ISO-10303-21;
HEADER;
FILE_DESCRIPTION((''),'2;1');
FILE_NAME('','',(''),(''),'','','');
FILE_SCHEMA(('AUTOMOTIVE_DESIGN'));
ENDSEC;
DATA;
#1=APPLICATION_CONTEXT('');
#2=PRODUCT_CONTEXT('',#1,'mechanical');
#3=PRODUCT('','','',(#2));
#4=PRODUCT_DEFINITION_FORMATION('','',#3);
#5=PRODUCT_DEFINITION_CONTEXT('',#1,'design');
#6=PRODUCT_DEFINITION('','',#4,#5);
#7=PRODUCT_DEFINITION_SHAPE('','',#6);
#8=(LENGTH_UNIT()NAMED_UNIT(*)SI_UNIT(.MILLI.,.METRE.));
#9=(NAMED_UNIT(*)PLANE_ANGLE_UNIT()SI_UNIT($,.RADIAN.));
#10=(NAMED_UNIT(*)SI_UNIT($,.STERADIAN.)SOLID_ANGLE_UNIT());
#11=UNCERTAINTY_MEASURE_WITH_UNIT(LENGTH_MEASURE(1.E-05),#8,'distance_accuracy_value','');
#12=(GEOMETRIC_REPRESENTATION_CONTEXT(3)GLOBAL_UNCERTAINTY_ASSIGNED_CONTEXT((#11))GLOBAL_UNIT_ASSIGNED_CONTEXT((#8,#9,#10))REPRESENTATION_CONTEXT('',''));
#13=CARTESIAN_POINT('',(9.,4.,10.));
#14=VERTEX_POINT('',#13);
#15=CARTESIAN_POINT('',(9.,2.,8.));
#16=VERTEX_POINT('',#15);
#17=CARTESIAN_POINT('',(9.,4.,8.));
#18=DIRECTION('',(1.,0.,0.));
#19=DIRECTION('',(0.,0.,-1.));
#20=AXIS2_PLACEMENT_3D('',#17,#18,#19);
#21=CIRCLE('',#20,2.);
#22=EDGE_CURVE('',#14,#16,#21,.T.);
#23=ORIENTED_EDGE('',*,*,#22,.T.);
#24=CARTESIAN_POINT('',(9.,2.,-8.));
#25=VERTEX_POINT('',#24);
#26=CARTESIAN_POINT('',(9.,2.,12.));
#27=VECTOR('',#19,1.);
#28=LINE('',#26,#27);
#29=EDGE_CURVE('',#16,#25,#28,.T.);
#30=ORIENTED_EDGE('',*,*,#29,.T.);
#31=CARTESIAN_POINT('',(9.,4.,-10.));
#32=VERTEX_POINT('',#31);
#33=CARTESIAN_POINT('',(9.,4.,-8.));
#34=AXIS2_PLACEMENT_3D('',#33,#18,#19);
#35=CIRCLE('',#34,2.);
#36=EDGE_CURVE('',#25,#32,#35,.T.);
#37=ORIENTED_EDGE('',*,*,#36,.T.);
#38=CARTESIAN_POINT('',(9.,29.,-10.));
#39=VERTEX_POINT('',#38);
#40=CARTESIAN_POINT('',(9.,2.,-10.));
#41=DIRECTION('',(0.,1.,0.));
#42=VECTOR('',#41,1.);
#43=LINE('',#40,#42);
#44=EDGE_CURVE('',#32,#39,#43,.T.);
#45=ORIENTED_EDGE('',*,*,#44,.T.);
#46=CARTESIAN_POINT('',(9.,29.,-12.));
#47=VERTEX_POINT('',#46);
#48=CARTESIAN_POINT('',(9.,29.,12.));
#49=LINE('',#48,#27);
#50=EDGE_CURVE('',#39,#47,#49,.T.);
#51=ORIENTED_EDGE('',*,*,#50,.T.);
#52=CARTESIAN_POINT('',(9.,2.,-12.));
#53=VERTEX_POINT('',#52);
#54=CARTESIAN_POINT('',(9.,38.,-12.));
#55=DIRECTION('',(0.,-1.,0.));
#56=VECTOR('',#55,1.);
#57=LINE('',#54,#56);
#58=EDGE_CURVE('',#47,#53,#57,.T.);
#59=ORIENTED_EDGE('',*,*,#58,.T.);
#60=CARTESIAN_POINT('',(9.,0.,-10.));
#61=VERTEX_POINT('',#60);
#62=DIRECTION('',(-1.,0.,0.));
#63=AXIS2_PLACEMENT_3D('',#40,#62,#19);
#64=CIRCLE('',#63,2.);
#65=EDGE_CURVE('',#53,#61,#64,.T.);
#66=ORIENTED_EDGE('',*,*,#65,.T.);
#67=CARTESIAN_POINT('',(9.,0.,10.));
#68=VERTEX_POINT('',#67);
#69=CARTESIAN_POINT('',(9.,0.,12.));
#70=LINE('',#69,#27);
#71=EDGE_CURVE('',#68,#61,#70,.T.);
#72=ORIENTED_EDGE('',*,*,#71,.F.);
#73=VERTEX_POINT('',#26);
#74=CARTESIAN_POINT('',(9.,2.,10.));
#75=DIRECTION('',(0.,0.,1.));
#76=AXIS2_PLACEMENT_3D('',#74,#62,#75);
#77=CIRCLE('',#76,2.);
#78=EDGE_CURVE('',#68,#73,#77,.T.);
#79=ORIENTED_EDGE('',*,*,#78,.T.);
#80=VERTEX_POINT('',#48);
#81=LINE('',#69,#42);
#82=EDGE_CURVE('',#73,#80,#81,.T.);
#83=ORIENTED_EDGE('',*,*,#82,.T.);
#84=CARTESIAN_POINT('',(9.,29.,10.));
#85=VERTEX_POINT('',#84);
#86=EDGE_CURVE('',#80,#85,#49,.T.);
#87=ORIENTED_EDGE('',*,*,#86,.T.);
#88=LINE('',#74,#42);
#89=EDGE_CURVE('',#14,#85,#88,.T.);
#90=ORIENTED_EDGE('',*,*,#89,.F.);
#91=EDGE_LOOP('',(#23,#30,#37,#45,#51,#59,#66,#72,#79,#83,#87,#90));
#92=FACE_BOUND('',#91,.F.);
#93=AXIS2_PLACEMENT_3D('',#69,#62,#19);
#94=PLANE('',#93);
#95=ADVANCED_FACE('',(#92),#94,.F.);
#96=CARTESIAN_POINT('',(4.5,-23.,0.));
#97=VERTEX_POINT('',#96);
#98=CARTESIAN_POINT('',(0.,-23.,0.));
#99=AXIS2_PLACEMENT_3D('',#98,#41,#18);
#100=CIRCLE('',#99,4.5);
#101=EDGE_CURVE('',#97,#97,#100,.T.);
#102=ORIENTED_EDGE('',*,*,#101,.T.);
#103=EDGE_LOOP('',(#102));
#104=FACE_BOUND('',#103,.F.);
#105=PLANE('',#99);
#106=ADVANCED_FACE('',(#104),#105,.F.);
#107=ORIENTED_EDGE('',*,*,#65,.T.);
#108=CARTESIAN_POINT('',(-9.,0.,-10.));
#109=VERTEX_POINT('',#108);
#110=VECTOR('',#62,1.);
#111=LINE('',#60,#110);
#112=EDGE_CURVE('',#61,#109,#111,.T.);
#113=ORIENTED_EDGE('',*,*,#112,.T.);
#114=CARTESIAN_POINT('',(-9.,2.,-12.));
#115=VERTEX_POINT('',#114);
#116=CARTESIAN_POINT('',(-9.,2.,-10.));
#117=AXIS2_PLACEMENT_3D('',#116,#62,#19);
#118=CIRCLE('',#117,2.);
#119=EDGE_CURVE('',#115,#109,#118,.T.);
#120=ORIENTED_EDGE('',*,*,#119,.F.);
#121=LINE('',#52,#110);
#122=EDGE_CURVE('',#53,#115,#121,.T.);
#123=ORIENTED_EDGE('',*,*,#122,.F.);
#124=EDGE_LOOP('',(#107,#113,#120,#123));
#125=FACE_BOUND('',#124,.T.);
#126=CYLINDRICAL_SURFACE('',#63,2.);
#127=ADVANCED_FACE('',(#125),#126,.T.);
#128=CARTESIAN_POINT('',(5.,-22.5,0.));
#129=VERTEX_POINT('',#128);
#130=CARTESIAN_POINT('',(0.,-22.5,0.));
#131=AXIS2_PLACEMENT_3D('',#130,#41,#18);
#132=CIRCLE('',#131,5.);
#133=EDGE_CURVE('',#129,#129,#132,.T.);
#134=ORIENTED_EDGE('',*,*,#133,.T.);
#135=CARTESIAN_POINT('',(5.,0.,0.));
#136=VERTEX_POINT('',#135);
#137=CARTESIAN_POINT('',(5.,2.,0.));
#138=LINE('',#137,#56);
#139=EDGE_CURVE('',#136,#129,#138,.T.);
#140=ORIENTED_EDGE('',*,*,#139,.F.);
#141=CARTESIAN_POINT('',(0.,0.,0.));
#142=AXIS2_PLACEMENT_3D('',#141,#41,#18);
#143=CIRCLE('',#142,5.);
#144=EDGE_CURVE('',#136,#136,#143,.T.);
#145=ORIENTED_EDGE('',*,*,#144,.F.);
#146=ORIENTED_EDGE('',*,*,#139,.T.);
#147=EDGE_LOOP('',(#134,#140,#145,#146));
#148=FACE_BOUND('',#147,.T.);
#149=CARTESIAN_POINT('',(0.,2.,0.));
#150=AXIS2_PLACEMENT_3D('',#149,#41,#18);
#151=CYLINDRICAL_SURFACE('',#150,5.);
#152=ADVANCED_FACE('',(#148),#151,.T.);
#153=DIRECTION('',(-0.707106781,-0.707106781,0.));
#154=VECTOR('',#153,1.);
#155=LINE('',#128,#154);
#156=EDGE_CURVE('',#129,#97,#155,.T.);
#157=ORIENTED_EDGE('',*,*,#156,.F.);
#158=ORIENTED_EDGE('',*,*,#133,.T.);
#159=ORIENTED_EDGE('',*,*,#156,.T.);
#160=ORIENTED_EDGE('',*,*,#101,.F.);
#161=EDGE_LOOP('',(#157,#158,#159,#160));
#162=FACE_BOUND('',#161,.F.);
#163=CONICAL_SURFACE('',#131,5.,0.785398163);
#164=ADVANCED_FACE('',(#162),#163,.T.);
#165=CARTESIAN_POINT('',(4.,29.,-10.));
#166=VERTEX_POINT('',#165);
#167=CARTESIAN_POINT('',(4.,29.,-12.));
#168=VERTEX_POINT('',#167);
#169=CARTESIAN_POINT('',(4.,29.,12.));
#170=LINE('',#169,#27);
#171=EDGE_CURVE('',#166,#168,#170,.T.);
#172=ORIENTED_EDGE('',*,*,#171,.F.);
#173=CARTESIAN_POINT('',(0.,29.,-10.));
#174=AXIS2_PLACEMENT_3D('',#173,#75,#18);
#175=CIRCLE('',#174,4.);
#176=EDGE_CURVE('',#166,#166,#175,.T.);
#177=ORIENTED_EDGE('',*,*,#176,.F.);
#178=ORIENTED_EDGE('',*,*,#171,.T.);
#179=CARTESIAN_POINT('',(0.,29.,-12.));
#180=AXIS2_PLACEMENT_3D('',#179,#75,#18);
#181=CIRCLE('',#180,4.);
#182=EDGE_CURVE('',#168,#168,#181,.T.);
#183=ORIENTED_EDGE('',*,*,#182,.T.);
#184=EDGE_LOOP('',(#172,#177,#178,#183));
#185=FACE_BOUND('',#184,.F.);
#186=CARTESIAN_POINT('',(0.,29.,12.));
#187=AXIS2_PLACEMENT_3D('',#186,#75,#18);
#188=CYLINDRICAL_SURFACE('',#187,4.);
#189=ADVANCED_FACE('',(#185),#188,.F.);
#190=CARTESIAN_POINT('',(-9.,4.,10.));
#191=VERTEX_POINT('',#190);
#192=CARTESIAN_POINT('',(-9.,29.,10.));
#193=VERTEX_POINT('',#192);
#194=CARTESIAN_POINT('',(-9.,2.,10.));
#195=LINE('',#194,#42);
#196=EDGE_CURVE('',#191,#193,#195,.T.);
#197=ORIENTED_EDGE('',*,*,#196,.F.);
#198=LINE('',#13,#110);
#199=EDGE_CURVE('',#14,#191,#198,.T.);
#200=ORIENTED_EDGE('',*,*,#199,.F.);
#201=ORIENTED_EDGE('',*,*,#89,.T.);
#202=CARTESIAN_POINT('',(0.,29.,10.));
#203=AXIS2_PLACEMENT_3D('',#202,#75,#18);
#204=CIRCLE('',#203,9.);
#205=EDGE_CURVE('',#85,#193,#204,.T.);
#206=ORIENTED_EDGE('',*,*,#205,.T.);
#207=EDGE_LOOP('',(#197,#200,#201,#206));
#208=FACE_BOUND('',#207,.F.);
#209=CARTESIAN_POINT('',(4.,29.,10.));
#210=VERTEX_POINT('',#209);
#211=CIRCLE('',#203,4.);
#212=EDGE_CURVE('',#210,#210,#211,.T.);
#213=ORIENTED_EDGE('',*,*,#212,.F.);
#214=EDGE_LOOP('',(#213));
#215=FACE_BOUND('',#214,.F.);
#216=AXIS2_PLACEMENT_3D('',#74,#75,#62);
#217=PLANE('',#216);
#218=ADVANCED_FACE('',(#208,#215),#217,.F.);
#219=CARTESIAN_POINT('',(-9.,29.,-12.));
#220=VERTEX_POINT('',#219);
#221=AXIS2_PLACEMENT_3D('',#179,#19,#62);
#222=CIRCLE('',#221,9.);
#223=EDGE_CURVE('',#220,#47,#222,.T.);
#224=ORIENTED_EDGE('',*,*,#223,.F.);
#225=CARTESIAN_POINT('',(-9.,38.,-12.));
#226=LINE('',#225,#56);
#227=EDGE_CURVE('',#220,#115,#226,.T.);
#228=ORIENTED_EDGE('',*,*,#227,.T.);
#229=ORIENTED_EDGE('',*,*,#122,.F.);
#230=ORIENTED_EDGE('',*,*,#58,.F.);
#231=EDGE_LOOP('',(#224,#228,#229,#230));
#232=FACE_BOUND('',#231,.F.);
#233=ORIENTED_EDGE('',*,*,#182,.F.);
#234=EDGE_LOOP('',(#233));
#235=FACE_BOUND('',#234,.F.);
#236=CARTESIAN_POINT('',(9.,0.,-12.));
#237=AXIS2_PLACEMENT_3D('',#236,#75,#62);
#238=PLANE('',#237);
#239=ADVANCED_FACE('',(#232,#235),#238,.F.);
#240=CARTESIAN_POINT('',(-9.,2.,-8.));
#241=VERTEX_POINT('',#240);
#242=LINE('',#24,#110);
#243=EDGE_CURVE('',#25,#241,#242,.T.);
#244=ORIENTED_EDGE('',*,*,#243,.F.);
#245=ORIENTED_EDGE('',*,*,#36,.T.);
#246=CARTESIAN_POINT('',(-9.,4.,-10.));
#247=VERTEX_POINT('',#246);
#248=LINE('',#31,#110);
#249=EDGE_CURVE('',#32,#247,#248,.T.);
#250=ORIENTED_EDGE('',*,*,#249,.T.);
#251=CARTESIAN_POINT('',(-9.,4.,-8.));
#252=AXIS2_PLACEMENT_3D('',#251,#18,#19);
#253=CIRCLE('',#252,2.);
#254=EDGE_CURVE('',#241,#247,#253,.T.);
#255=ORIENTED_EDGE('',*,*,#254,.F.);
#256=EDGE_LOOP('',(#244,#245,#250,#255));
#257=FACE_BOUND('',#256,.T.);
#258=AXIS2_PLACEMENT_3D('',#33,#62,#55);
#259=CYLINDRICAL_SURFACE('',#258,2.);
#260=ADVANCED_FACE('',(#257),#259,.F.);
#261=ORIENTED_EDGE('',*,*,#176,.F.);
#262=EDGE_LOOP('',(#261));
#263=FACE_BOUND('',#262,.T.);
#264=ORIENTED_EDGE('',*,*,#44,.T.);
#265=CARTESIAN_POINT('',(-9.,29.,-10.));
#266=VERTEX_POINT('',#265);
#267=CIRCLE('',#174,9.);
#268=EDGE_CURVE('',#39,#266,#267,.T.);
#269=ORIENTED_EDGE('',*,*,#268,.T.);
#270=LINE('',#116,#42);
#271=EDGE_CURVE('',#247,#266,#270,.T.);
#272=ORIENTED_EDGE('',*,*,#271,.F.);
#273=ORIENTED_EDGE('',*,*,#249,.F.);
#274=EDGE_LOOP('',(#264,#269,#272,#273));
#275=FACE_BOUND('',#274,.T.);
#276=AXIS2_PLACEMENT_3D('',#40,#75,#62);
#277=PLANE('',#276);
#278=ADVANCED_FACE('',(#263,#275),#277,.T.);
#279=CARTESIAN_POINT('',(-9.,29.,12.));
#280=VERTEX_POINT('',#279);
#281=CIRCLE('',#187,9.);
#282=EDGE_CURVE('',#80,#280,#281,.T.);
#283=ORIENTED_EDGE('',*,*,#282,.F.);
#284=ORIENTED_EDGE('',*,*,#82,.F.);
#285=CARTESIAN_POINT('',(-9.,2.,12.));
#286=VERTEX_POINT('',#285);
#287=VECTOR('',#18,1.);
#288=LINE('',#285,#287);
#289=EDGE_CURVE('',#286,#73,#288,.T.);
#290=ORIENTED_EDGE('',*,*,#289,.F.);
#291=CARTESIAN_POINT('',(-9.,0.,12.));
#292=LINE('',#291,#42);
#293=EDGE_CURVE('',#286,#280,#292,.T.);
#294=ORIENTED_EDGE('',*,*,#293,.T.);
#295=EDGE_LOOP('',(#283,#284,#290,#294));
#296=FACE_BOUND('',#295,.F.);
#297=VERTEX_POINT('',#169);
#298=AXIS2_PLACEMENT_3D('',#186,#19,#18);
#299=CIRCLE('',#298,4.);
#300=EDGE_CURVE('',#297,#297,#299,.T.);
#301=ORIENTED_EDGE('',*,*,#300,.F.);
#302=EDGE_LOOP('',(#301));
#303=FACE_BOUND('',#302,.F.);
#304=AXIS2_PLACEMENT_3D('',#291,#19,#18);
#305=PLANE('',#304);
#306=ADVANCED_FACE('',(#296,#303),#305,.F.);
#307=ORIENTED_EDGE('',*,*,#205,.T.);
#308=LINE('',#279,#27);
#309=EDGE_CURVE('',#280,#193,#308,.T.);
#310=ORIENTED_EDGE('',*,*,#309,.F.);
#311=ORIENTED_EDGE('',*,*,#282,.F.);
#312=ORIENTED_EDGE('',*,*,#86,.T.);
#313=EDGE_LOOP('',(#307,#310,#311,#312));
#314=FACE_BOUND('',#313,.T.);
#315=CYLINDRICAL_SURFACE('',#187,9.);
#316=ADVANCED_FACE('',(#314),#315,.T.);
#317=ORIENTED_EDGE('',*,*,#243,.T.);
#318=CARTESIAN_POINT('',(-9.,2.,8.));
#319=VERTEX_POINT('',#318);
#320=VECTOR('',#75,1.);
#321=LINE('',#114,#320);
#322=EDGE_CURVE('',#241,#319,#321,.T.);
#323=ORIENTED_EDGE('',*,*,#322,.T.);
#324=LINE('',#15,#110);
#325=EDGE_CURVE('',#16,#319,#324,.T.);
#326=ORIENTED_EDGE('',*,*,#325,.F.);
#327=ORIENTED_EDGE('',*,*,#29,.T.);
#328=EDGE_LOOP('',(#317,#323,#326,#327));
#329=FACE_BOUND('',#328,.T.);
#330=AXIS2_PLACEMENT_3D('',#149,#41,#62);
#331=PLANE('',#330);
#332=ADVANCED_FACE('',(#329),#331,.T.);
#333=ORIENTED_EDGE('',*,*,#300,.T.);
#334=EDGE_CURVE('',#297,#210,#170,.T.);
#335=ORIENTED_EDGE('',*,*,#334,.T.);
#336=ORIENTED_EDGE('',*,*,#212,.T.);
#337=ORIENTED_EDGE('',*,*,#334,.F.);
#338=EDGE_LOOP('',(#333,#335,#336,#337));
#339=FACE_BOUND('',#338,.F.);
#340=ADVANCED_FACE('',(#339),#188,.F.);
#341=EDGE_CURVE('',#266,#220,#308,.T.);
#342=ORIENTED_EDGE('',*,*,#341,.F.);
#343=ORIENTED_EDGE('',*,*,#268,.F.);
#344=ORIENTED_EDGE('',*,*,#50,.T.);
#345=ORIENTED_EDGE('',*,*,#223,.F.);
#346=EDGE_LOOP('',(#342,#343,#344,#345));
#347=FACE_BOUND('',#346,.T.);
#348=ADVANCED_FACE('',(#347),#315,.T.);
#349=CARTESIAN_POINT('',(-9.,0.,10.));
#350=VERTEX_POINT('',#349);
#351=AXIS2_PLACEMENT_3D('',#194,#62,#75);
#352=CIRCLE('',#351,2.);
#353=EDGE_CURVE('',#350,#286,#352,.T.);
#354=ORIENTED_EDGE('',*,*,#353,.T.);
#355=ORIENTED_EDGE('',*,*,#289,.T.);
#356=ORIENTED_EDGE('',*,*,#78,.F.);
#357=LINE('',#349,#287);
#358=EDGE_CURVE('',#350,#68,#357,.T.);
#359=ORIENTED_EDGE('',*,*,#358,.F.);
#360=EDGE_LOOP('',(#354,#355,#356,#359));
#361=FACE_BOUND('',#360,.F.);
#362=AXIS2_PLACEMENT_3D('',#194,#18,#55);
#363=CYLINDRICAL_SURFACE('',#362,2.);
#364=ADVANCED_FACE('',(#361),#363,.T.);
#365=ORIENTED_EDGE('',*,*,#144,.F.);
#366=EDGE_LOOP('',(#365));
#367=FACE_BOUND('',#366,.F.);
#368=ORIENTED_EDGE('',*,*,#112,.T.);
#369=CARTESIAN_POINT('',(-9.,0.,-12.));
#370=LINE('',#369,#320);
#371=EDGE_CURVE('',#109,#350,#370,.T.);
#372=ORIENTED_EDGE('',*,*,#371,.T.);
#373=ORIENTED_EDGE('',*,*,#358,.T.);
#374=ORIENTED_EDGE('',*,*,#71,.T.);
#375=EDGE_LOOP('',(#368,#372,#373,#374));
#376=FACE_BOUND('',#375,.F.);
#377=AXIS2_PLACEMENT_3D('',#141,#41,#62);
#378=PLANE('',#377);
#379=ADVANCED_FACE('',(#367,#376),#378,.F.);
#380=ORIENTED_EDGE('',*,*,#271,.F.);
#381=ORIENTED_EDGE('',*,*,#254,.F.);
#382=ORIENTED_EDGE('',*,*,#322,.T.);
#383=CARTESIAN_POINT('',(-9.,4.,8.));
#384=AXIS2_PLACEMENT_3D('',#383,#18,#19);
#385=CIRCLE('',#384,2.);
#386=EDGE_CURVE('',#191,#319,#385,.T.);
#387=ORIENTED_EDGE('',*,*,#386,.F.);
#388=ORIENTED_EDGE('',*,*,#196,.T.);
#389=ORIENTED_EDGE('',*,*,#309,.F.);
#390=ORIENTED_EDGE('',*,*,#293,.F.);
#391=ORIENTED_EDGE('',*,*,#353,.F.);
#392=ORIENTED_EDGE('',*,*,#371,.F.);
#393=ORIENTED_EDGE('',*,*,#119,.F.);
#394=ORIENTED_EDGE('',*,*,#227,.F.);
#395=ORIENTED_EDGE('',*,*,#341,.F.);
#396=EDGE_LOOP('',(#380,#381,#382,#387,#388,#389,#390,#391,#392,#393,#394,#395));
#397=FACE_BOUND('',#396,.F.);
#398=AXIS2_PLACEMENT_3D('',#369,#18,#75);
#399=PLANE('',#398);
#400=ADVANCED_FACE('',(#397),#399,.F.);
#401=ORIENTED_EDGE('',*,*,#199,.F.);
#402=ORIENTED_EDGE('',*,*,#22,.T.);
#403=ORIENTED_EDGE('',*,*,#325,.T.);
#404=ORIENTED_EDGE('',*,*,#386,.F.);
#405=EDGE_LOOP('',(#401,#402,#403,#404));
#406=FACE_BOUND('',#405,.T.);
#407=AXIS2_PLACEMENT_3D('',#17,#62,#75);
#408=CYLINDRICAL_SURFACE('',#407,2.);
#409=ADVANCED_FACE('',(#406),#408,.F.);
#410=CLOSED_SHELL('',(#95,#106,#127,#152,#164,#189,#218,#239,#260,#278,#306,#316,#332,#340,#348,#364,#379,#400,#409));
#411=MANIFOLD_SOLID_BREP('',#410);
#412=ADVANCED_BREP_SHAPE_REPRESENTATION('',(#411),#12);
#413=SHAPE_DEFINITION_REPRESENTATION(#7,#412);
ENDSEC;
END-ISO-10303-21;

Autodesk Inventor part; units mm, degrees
ref_plane "YZ Plane" through (0, 0, 0) normal (1, 0, 0) x (0, 1, 0)
ref_plane "XZ Plane" through (0, 0, 0) normal (0, 1, 0) x (-1, 0, 0)
ref_plane "XY Plane" through (0, 0, 0) normal (0, 0, 1) x (1, 0, 0)
sketch "Sketch1" plane through (0, 0, 0) normal (0, 1, 0) x (-1, 0, 0)
  line L0 (9, 12) -> (-9, 12)
  line L1 (-9, 12) -> (-9, -12)
  line L2 (-9, -12) -> (9, -12)
  line L3 (9, -12) -> (9, 12)
  line L4 (9, 12) -> (-9, -12) construction
  line L5 (-9, 12) -> (9, -12) construction
  point P0 (0, 0)
  dimension "d0" = 24
  dimension "d1" = 18
extrude "Extrusion1" add sketch "Sketch1" along normal blind 2
sketch "Sketch2" plane through (0, 2, 0) normal (0, 1, 0) x (1, 0, 0)
  line L0 (-9, 12) -> (-9, -12) projected
  line L1 (9, -12) -> (9, 12) projected
  line L2 (-9, -12) -> (9, -12)
  line L3 (9, -12) -> (9, -10)
  line L4 (9, -10) -> (-9, -10)
  line L5 (-9, -10) -> (-9, -12)
  line L6 (9, 12) -> (-9, 12) projected
  line L7 (-9, 12) -> (9, 12)
  line L8 (9, 12) -> (9, 10)
  line L9 (9, 10) -> (-9, 10)
  line L10 (-9, 10) -> (-9, 12)
  point P0 (0, 0)
  dimension "d4" = 2
  dimension "d5" = 2
extrude "Extrusion2" add sketch "Sketch2" along normal blind 36 contours L6 L1 L9 L0 | L4 L1 L2 L0
sketch "Sketch5" plane through (-9, 0, 12) normal (0, 0, 1) x (1, 0, 0)
  line L0 (0, 29) -> (18, 29)
  line L1 (0, 38) -> (18, 38) projected
  arc A0 (18, 29) -> (0, 29) centre (9, 29) ccw
  circle A1 centre (9, 29) radius 4
  line L2 (0, 0) -> (0, 38) projected
  line L3 (0, 29) -> (0, 38)
  line L4 (18, 38) -> (0, 38) projected
  line L5 (0, 38) -> (18, 38)
  line L6 (18, 38) -> (18, 29)
  point P0 (9, 0)
  dimension "d16" = 9
  dimension "d17" = 8
extrude "Extrusion4" cut sketch "Sketch5" against normal blind 40 contours A1 L0 | L0 A1 | A0 L1 L6 | A0 L2 L1
sketch "Sketch6" plane through (0, 0, 0) normal (0, -1, 0) x (1, 0, 0)
  circle A0 centre (0, 0) radius 4
  dimension "d20" = 8
extrude "Extrusion5" cut sketch "Sketch6" against normal blind 40
fillet "Fillet1" radius 2 4 edges at (0, 0, 12) (0, 0, -12) (0, 2, 10) (0, 2, -10)
sketch "Sketch11" plane through (0, 2, 0) normal (0, 1, 0) x (1, 0, 0)
  circle A0 centre (0, 0) radius 5
  dimension "d29" = 10
extrude "Extrusion7" add sketch "Sketch11" against normal blind 25
thread "Thread2" size "M10x1.5" class "6g" standard "ANSI Metric M Profile" full length
chamfer "Chamfer1" distance 0.5 angle 45 1 edges at (-5, -23, 0)
properties part number "Giá đỡ ròng rọc"
